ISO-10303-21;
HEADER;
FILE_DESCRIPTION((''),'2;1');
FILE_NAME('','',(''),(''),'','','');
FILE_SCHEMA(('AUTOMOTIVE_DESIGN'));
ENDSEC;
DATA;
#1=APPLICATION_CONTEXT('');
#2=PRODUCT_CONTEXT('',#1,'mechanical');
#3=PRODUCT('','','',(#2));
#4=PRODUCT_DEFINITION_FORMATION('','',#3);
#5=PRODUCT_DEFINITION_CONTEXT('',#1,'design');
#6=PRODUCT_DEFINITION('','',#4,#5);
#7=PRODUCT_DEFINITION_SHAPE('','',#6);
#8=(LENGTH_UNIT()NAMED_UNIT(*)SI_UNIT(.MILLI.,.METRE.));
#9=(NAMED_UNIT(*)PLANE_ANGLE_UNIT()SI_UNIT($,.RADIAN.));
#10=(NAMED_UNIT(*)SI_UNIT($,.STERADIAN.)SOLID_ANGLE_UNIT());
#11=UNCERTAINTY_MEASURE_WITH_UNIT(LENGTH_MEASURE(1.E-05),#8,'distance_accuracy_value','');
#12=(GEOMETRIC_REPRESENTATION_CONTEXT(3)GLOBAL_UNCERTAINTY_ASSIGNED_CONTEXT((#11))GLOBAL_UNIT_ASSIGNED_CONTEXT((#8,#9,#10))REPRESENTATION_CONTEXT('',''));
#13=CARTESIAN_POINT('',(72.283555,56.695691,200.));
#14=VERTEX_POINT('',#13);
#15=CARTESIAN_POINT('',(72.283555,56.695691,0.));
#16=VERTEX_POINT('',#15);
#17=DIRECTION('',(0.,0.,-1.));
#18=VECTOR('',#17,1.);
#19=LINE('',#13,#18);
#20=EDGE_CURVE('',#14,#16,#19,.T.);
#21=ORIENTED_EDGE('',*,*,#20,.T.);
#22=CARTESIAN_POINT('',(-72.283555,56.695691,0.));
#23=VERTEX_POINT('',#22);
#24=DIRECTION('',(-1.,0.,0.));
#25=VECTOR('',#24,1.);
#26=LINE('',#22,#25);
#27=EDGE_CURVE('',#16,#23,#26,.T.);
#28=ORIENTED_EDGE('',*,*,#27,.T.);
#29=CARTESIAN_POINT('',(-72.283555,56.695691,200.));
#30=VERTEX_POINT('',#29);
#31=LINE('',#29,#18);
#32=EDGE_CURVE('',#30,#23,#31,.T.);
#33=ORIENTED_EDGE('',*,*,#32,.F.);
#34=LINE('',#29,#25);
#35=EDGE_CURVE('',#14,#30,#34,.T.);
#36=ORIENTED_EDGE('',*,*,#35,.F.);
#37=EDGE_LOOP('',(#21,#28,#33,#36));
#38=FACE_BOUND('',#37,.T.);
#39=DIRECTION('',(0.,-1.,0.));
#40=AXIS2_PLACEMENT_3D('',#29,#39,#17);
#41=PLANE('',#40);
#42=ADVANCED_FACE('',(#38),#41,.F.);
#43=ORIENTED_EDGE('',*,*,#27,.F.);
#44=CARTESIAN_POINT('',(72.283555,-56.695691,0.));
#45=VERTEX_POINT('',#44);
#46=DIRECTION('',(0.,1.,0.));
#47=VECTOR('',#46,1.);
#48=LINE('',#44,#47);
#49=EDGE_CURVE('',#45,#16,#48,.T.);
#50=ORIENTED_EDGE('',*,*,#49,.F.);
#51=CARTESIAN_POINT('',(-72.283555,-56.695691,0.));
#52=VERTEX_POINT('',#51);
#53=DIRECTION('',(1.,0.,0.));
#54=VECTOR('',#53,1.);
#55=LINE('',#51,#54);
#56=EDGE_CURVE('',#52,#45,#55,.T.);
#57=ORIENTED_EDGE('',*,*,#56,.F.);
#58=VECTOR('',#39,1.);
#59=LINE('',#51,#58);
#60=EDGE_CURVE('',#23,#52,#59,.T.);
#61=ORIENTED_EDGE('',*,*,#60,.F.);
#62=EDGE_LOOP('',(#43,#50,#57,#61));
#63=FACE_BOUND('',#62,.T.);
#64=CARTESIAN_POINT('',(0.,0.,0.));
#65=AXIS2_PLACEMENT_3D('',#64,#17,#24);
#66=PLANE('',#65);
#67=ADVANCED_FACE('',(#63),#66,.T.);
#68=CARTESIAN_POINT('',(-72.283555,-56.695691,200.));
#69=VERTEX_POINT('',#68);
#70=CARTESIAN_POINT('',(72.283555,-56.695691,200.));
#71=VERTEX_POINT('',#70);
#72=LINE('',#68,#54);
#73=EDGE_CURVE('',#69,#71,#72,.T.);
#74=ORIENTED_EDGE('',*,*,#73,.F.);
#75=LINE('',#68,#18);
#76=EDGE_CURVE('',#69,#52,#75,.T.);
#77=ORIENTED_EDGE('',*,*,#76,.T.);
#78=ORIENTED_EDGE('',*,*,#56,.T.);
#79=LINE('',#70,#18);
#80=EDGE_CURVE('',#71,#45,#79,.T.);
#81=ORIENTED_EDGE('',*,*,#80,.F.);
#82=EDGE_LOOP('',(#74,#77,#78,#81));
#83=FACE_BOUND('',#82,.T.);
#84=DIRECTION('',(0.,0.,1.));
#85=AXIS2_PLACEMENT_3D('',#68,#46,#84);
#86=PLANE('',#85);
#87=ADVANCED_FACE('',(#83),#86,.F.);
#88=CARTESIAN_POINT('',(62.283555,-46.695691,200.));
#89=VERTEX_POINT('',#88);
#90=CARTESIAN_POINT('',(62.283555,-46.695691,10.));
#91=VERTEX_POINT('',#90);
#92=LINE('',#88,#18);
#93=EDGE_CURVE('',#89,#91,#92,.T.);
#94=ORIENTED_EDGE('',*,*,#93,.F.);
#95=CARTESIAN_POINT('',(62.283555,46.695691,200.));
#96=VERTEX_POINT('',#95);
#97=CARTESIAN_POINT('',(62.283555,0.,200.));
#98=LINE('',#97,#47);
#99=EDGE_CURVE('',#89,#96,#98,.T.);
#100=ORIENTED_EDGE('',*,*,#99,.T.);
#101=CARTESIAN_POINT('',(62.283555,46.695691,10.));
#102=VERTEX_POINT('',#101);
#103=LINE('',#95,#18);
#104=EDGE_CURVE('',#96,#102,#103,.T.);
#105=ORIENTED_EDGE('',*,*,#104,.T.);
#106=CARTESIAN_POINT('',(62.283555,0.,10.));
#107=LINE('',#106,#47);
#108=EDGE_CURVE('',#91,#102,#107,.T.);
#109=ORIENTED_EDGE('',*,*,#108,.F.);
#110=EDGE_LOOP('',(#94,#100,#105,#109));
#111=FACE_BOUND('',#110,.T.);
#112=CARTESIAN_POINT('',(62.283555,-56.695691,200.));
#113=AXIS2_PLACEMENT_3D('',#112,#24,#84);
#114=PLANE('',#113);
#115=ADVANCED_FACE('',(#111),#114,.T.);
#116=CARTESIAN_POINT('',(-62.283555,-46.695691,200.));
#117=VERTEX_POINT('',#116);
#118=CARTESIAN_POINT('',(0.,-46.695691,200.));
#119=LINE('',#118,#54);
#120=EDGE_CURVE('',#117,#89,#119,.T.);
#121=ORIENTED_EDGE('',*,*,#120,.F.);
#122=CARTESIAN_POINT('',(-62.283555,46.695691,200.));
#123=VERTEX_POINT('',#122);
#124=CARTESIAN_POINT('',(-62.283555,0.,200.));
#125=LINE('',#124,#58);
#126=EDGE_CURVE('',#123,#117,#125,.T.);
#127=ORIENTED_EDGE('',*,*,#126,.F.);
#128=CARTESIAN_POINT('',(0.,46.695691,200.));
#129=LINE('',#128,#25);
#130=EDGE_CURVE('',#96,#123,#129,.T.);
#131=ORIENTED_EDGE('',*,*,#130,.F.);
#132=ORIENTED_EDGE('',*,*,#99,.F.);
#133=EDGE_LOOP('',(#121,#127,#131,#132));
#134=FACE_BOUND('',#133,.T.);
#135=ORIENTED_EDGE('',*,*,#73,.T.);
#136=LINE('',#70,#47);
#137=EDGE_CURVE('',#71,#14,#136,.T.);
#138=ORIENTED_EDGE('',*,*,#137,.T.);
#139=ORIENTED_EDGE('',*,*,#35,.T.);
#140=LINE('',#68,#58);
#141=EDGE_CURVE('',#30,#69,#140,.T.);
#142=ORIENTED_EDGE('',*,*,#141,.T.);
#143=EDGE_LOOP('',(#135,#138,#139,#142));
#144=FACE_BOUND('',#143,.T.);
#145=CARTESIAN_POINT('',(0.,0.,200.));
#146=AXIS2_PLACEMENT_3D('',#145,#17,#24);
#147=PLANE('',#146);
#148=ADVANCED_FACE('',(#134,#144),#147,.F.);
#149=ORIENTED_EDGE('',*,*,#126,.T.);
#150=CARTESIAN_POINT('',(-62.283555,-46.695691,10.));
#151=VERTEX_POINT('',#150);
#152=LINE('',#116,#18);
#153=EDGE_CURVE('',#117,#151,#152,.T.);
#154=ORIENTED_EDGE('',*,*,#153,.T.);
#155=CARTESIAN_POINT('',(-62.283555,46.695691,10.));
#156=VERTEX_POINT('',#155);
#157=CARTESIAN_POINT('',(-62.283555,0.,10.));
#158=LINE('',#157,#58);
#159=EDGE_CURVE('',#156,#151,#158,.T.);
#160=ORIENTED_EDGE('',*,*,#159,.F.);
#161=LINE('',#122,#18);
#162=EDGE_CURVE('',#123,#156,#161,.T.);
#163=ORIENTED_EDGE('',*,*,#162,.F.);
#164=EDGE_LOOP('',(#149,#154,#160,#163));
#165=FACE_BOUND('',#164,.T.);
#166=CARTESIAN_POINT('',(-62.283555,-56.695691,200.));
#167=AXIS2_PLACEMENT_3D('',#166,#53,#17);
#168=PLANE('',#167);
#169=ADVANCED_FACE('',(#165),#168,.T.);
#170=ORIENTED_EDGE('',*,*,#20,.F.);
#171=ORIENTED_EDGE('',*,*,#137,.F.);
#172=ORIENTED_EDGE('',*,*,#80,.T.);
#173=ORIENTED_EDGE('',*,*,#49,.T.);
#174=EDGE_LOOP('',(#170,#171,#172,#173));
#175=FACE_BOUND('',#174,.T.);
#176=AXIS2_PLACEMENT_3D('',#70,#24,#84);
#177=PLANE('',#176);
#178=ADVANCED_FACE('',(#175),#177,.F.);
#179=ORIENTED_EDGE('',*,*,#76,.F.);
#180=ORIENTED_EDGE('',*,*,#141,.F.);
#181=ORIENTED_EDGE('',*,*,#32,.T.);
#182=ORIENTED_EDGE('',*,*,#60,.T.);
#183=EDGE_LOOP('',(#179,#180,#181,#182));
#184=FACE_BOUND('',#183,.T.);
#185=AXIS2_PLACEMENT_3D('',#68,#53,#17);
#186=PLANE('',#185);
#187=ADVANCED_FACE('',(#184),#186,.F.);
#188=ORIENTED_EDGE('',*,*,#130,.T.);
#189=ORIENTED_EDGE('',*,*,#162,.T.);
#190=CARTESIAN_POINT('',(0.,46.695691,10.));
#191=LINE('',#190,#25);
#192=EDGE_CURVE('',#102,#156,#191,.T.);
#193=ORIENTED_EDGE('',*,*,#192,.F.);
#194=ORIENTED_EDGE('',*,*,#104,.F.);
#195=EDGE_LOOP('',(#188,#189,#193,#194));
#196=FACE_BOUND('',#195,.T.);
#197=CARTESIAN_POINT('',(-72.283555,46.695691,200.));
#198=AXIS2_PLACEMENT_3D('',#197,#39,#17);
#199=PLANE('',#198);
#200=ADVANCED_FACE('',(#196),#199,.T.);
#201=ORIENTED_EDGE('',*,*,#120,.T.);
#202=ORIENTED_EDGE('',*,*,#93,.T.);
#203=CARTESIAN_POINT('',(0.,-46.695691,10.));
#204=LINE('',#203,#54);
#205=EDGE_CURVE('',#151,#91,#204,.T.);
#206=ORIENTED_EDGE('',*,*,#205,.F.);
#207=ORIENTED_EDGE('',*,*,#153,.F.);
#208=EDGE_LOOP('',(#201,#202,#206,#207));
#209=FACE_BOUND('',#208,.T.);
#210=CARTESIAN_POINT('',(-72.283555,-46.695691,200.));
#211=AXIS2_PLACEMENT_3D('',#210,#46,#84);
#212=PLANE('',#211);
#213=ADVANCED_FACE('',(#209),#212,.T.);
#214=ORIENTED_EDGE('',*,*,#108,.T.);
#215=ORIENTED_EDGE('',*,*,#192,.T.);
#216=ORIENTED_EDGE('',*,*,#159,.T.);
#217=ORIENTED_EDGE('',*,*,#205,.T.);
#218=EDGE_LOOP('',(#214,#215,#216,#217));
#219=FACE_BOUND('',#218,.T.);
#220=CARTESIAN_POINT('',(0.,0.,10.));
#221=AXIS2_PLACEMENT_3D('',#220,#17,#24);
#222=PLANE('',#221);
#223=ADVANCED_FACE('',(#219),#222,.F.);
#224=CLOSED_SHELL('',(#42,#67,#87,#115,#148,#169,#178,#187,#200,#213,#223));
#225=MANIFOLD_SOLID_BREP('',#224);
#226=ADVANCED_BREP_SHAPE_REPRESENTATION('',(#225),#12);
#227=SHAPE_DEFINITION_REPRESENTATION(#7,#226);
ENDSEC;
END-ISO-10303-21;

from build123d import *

# Parameters (mm, degrees)
CROQUIS1_W              = 144.567109546
CROQUIS1_H              = 113.391382114
SALIENTE_EXTRUIR1_DEPTH = 200
VACIADO2_T              = -10


with BuildPart() as part:
    # Croquis1 → Saliente-Extruir1 (new body)
    with BuildSketch(Plane.XY):
        Rectangle(CROQUIS1_W, CROQUIS1_H)
    extrude(amount=SALIENTE_EXTRUIR1_DEPTH)

    # Vaciado2
    vaciado2_openings = [part.faces().sort_by_distance(p)[0] for p in [
        (0, 0, 200),
    ]]
    offset(amount=VACIADO2_T, openings=vaciado2_openings, kind=Kind.INTERSECTION)


solid = part.part
